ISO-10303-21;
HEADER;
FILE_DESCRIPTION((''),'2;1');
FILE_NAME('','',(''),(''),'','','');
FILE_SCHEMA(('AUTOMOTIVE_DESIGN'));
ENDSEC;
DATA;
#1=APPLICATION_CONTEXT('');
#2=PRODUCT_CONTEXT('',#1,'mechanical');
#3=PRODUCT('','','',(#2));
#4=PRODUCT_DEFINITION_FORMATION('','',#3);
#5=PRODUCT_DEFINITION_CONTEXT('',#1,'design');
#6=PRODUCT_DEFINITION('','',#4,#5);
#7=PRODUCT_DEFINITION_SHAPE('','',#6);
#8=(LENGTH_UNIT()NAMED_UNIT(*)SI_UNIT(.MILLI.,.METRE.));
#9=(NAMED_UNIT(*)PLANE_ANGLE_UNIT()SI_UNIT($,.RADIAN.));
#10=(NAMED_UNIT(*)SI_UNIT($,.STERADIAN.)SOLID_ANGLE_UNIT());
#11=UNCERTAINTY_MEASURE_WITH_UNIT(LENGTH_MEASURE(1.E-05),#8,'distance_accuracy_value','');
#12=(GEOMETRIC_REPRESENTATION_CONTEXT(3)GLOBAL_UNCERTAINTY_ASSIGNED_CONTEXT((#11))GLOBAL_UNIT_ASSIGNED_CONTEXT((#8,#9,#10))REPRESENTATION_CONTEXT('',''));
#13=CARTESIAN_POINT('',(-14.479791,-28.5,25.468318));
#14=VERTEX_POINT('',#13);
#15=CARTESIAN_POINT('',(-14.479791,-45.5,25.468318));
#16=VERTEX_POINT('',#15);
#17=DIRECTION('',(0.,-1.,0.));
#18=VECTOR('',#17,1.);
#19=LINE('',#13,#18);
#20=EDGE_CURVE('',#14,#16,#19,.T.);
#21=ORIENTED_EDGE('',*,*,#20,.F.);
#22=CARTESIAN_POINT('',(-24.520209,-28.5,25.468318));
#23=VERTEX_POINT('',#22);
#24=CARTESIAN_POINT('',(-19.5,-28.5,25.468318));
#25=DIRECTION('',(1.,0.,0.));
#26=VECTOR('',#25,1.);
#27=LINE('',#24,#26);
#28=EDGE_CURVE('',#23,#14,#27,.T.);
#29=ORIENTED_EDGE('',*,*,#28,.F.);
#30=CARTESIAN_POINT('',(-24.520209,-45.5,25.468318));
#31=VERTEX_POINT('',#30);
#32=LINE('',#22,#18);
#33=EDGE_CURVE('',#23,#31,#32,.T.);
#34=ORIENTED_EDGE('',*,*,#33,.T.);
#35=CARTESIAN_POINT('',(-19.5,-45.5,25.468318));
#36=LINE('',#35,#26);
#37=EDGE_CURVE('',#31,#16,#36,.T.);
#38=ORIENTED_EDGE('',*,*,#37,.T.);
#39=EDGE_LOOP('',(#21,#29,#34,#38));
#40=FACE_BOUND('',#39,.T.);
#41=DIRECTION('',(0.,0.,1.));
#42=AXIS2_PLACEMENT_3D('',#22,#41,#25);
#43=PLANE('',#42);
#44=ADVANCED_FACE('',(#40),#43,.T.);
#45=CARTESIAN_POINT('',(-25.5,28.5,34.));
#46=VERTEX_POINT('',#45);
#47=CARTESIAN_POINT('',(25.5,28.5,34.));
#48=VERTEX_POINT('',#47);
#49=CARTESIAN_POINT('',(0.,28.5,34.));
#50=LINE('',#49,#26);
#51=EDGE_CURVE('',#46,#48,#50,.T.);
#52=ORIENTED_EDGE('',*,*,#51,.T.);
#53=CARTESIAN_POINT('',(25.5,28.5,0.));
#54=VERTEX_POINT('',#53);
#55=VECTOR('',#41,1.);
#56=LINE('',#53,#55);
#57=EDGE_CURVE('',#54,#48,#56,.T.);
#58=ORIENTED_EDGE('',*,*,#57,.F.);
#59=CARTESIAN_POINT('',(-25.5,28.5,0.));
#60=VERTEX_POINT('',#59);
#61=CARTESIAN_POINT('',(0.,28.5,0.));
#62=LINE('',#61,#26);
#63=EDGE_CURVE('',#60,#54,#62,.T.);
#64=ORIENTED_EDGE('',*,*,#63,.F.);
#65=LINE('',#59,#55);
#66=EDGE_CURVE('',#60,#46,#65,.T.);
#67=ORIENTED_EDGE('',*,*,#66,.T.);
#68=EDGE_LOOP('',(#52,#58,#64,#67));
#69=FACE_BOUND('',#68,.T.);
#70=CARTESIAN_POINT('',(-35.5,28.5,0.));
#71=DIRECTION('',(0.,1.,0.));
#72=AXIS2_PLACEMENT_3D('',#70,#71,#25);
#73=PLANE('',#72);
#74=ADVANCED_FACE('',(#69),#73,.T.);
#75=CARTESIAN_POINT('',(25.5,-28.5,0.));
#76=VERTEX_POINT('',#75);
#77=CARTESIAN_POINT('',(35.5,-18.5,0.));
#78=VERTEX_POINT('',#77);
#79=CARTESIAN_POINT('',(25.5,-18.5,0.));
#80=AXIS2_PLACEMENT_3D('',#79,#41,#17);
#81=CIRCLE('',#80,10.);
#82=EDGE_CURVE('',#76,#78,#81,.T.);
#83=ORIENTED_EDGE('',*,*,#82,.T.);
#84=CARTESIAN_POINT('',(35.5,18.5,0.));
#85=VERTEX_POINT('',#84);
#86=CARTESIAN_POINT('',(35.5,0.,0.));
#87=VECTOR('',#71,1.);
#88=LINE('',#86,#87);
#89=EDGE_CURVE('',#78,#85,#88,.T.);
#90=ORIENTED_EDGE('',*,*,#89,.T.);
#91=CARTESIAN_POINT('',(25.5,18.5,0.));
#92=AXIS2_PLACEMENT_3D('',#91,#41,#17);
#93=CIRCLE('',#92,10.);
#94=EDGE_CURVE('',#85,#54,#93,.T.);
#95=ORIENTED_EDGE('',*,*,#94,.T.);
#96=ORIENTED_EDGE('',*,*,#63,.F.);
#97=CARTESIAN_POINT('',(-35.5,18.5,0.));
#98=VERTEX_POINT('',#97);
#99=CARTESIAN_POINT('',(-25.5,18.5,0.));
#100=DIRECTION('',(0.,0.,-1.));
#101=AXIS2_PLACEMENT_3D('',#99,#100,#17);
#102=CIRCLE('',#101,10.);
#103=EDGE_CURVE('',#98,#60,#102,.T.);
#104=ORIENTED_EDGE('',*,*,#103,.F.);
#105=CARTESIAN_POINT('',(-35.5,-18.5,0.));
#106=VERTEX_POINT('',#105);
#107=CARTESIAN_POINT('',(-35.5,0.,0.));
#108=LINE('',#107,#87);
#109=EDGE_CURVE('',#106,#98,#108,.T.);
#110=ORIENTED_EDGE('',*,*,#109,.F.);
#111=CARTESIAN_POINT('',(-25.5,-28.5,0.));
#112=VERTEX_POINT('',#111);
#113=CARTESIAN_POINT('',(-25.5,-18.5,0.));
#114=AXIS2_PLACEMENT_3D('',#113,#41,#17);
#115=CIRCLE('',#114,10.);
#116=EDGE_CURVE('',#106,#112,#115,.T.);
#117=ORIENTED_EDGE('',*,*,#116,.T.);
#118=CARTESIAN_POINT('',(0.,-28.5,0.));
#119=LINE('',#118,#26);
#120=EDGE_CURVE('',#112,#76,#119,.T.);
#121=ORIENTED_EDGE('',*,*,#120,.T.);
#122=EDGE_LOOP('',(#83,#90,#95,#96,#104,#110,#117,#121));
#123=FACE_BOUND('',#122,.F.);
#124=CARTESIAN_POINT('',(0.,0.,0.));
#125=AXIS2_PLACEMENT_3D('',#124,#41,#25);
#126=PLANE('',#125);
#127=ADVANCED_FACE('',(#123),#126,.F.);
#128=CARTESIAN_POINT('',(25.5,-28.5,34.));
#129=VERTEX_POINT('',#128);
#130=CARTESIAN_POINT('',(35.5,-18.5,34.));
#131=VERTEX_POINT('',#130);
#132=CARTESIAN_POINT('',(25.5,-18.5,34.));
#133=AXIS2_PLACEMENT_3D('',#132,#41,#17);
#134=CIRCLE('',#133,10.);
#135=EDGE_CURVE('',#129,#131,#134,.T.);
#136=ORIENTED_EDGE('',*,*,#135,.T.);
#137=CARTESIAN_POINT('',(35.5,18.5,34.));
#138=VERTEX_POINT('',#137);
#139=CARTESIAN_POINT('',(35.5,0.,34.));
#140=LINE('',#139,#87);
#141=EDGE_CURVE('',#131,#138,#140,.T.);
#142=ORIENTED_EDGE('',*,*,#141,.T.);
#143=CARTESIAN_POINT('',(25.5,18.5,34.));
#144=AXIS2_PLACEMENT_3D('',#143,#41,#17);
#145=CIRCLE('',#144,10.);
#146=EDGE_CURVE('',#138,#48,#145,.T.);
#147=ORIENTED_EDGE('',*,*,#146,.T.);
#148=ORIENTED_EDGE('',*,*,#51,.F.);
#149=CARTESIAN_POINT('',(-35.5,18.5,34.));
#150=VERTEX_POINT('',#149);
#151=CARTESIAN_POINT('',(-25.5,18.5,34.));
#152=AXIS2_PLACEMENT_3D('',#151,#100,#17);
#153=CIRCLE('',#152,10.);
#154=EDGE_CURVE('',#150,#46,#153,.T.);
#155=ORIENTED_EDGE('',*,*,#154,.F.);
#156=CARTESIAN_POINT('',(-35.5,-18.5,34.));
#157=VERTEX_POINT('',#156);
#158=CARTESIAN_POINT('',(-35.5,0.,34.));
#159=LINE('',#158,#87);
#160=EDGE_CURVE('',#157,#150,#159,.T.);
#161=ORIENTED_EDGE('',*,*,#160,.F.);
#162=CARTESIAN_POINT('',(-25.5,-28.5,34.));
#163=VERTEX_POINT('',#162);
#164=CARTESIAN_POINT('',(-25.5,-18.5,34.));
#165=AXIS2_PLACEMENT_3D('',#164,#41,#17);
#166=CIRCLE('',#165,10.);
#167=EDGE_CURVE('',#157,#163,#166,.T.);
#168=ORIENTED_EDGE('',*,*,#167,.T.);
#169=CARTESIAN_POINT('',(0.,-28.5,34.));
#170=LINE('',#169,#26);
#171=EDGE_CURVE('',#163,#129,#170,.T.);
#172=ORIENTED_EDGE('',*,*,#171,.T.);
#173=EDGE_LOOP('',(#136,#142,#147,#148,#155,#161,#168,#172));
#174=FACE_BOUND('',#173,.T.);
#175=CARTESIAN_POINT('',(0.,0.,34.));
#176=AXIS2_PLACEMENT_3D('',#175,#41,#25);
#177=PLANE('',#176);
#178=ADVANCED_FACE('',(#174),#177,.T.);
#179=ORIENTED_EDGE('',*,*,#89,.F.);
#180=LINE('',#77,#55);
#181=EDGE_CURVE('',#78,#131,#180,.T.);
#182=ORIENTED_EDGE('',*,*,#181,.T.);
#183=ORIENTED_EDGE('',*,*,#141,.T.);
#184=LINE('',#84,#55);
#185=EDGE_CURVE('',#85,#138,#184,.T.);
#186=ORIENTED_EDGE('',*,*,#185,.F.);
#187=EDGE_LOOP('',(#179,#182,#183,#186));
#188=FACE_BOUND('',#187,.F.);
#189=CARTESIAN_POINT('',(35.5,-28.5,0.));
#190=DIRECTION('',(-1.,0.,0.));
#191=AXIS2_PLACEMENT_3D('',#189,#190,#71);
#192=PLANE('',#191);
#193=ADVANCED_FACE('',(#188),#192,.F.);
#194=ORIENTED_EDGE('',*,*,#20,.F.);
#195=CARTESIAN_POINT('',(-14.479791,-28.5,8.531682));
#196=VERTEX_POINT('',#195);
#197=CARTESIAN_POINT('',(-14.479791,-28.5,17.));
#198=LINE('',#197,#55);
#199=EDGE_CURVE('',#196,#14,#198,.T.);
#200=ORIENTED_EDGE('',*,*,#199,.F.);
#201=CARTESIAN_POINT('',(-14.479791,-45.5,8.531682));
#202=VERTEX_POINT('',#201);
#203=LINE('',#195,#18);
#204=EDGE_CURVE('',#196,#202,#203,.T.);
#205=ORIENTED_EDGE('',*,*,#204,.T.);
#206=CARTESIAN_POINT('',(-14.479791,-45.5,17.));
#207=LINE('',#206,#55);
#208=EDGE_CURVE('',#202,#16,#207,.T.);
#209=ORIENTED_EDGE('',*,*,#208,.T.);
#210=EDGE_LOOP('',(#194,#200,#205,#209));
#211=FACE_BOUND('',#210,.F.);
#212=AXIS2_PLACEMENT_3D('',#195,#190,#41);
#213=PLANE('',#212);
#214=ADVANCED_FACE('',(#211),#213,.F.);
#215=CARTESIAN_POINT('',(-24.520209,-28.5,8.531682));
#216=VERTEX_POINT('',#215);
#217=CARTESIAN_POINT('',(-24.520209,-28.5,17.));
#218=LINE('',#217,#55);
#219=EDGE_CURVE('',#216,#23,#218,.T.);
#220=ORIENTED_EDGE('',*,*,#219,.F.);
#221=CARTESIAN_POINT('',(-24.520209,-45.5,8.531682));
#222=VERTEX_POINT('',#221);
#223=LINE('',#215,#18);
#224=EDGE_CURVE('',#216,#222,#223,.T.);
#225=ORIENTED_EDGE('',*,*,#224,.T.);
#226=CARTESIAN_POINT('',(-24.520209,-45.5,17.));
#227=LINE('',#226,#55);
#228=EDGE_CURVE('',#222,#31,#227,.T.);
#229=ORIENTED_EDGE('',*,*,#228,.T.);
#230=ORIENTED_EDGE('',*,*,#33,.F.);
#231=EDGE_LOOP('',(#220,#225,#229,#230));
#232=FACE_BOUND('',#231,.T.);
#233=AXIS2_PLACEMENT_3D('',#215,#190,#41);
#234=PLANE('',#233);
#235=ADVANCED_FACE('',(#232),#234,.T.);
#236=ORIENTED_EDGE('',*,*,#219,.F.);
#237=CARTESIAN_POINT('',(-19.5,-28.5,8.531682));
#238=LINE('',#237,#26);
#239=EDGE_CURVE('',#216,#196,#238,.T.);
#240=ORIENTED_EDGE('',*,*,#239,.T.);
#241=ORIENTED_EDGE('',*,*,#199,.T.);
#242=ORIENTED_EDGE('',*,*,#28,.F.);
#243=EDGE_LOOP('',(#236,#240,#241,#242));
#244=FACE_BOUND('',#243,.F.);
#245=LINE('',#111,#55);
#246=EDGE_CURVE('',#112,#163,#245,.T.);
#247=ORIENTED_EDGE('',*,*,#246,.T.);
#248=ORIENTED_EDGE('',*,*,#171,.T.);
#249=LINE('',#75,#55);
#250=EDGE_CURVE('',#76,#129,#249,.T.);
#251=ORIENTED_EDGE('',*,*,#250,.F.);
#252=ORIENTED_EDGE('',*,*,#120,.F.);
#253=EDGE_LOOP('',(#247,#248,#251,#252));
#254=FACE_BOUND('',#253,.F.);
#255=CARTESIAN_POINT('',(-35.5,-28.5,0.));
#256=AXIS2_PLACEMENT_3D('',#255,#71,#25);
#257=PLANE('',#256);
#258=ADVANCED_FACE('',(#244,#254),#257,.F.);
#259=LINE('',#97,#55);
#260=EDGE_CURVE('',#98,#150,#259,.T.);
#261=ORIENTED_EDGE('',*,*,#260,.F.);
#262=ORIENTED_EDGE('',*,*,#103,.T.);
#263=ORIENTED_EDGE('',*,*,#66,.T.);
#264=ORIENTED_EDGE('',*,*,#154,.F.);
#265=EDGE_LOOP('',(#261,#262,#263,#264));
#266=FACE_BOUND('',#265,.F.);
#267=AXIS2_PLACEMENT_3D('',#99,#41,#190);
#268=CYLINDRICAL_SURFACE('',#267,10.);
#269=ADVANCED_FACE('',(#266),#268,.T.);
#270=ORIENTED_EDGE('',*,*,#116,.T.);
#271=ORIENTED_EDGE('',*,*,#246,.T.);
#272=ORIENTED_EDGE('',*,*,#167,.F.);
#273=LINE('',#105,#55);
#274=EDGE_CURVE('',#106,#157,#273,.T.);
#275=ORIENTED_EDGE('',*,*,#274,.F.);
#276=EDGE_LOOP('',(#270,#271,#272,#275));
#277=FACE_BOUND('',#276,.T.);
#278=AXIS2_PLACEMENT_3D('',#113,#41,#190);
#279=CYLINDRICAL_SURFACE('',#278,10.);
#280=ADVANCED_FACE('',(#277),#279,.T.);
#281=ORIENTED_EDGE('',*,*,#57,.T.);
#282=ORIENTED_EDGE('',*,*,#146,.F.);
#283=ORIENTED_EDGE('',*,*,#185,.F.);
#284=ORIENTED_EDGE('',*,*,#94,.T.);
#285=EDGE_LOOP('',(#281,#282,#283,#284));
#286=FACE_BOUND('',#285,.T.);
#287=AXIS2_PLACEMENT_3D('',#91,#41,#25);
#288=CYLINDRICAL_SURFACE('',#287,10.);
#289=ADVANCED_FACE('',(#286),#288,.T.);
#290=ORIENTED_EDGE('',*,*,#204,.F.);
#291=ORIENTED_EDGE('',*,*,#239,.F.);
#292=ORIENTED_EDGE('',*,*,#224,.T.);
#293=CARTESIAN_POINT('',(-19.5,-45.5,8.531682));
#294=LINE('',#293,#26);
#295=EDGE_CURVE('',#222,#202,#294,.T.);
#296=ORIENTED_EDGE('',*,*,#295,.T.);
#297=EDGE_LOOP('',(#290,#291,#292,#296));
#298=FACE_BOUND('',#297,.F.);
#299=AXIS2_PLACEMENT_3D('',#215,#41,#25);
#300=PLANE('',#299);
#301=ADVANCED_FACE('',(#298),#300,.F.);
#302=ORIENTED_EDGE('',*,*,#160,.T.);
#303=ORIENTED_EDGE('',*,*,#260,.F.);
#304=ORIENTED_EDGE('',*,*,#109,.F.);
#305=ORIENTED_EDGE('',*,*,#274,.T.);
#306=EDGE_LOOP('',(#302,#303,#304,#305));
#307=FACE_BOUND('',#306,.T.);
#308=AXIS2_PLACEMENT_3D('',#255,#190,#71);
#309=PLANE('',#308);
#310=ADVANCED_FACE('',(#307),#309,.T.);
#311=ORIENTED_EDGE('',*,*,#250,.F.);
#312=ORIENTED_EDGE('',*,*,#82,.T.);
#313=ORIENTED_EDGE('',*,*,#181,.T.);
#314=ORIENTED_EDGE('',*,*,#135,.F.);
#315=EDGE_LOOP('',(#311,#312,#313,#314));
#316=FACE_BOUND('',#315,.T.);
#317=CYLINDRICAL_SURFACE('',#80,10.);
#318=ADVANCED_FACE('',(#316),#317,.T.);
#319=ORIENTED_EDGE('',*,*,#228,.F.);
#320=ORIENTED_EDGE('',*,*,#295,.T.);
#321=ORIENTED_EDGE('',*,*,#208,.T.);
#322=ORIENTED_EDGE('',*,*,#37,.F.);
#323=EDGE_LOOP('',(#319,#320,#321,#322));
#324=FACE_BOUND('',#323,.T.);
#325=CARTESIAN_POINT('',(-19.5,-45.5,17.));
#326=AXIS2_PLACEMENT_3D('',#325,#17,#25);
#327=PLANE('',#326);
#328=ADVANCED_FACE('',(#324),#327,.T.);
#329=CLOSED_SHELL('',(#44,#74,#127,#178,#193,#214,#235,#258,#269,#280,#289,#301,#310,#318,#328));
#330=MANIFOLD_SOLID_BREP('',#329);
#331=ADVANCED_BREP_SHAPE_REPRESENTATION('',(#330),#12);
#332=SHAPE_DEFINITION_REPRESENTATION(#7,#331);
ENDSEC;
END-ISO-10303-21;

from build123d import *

# Parameters (mm, degrees)
F0_W     = 71
F0_H     = 57
F1_DEPTH = 34
F2_R     = 10
F3_W     = 10.040418
F3_H     = 16.936636
F4_DEPTH = 17


with BuildPart() as f1:
    # F0 (on Top) → F1 (new body)
    with BuildSketch(Plane.XY):
        Rectangle(F0_W, F0_H)
    extrude(amount=F1_DEPTH)

    # F2
    f2_edges = [f1.edges().sort_by_distance(p)[0] for p in [
        (-35.5, 28.5, 17),
        (35.5, 28.5, 17),
        (-35.5, -28.5, 17),
        (35.5, -28.5, 17),
    ]]
    fillet(f2_edges, radius=F2_R)

    # F3 (on face) → F4 (join)
    with BuildSketch(Plane.XZ.offset(28.5)):
        with Locations((-19.5, 17)):
            Rectangle(F3_W, F3_H)
    extrude(amount=F4_DEPTH)


solid = f1.part
